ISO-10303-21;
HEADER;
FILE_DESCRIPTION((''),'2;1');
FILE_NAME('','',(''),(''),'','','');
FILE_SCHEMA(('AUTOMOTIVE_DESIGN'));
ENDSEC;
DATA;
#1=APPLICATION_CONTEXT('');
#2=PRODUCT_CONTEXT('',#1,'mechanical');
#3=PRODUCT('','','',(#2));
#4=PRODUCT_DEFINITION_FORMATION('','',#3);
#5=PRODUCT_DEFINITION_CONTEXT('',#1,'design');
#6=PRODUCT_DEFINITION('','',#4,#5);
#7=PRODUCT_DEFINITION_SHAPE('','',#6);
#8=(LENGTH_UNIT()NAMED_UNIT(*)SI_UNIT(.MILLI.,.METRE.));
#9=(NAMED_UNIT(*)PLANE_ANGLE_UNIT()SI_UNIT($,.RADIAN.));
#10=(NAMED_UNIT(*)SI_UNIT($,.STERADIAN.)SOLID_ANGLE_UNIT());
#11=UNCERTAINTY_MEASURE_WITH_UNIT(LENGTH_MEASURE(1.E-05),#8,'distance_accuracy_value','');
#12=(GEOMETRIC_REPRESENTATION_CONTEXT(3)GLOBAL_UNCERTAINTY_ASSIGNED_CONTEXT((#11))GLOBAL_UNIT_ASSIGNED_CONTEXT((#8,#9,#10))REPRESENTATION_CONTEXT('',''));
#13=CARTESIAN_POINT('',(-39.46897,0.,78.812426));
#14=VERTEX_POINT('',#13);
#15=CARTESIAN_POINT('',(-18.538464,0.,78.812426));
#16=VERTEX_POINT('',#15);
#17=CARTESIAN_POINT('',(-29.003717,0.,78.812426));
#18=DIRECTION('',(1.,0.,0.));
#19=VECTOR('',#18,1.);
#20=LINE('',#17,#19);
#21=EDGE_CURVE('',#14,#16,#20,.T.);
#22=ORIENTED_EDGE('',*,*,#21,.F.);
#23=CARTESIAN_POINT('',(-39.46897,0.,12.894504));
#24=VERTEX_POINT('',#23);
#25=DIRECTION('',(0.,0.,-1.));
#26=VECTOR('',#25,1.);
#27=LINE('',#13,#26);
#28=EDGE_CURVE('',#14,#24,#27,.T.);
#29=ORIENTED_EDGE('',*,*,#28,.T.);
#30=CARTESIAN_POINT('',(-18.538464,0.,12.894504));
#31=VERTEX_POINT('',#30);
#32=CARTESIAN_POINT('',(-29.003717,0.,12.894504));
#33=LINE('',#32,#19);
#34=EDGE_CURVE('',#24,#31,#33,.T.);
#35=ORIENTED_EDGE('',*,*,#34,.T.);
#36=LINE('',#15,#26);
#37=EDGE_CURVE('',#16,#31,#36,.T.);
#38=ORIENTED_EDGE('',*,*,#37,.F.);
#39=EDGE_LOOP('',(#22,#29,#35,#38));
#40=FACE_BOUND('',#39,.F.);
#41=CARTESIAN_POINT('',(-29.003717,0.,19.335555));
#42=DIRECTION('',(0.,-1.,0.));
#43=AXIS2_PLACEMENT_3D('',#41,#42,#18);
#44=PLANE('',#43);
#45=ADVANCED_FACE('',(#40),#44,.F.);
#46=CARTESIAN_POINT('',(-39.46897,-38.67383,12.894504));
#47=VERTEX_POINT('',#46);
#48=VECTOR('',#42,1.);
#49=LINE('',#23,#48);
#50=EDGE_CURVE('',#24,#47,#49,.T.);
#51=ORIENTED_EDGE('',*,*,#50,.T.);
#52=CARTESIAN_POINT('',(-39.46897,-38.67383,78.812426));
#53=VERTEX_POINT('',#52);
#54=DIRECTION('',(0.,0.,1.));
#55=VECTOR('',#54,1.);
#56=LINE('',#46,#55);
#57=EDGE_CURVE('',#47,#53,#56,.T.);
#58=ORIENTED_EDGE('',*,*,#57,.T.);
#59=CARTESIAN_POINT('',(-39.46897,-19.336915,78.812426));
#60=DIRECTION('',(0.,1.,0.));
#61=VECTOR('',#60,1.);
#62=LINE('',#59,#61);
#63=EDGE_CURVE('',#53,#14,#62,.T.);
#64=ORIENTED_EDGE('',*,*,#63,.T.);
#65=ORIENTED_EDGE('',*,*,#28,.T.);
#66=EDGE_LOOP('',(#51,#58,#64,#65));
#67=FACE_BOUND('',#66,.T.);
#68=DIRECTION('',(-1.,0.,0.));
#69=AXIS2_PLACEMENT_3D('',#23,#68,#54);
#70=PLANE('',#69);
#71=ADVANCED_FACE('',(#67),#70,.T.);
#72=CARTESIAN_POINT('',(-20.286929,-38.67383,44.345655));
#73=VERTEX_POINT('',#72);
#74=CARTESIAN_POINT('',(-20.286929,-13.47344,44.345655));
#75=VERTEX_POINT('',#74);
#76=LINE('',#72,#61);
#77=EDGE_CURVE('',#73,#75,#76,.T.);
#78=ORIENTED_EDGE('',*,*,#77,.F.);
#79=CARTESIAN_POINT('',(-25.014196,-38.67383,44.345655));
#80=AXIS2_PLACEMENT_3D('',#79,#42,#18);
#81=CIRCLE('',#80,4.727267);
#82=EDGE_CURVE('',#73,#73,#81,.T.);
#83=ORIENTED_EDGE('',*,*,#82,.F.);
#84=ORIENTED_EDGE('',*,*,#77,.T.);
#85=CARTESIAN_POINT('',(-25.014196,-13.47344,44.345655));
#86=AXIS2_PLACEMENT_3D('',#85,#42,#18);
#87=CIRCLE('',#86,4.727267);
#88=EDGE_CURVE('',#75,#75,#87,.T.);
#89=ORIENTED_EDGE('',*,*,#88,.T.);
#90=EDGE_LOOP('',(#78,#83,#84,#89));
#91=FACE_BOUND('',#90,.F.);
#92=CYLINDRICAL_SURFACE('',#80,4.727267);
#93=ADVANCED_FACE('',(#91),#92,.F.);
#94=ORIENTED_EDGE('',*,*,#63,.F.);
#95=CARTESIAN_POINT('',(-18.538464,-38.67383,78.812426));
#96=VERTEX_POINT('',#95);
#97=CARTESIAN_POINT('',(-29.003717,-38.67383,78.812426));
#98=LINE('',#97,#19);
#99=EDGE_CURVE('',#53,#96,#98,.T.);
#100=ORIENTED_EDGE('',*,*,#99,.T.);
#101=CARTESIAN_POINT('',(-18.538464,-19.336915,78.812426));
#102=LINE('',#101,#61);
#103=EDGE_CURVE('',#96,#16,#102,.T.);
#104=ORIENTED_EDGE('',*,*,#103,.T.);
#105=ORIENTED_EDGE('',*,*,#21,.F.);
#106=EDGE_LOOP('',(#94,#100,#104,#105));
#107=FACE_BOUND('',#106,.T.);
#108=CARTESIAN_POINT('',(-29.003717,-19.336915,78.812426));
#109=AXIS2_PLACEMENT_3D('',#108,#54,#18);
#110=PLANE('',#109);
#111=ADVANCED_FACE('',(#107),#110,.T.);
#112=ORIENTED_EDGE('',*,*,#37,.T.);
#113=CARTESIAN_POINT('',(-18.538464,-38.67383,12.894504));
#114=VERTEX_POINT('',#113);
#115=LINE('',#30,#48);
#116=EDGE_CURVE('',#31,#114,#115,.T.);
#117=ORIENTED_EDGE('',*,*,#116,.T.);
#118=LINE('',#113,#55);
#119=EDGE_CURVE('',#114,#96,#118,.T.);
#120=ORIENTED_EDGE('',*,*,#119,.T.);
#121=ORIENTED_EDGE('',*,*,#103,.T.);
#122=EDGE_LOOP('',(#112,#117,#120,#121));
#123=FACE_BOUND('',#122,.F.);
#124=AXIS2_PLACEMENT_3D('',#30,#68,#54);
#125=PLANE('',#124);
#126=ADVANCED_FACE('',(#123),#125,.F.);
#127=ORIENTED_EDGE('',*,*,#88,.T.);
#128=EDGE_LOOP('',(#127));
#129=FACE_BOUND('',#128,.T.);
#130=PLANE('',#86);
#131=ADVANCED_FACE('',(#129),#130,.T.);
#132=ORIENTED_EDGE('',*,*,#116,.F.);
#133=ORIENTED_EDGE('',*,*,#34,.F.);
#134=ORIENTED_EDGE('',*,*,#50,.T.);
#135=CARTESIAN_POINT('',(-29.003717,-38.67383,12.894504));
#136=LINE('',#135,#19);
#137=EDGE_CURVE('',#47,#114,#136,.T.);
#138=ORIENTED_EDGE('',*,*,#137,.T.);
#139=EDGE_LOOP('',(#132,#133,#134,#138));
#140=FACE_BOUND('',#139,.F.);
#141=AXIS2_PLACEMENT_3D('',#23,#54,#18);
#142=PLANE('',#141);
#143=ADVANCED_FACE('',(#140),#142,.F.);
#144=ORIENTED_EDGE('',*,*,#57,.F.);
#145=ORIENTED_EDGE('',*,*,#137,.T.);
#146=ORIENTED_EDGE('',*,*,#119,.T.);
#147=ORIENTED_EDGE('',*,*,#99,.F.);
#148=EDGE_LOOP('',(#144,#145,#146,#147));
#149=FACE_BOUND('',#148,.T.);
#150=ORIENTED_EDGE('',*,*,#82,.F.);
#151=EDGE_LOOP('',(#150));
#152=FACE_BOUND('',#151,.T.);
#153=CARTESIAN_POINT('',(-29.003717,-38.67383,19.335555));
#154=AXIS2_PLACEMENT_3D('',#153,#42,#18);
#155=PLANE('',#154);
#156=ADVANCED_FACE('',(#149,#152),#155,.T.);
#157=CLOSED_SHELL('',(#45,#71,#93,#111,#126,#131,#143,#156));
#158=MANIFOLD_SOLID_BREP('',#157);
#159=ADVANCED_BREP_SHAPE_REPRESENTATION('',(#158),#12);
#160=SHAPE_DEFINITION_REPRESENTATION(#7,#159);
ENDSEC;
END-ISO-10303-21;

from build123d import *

# Parameters (mm, degrees)
F0_W      = 20.930506
F0_H      = 12.882103
F1_DEPTH  = 38.67383
F1_FACE_W = 20.930506
F1_FACE_H = 38.67383
F2_DEPTH  = 53.03582
F3_R      = 4.727267
F4_DEPTH  = 25.20039


with BuildPart() as f1:
    # F0 (on Front) → F1 (new body)
    with BuildSketch(Plane.XZ):
        with Locations((-29.003717, 19.335555)):
            Rectangle(F0_W, F0_H)
    extrude(amount=F1_DEPTH)

    # F1_face (on face) → F2 (join)
    with BuildSketch(Plane(origin=(-29.003717, -19.336915, 25.776606), x_dir=(1, 0, 0), z_dir=(0, 0, 1))):
        Rectangle(F1_FACE_W, F1_FACE_H)
    extrude(amount=F2_DEPTH)

    # F3 (on face) → F4 (cut)
    with BuildSketch(Plane.XZ.offset(38.67383)):
        with Locations((-25.014196, 44.345655)):
            Circle(F3_R)
    extrude(amount=-F4_DEPTH, mode=Mode.SUBTRACT)


solid = f1.part
